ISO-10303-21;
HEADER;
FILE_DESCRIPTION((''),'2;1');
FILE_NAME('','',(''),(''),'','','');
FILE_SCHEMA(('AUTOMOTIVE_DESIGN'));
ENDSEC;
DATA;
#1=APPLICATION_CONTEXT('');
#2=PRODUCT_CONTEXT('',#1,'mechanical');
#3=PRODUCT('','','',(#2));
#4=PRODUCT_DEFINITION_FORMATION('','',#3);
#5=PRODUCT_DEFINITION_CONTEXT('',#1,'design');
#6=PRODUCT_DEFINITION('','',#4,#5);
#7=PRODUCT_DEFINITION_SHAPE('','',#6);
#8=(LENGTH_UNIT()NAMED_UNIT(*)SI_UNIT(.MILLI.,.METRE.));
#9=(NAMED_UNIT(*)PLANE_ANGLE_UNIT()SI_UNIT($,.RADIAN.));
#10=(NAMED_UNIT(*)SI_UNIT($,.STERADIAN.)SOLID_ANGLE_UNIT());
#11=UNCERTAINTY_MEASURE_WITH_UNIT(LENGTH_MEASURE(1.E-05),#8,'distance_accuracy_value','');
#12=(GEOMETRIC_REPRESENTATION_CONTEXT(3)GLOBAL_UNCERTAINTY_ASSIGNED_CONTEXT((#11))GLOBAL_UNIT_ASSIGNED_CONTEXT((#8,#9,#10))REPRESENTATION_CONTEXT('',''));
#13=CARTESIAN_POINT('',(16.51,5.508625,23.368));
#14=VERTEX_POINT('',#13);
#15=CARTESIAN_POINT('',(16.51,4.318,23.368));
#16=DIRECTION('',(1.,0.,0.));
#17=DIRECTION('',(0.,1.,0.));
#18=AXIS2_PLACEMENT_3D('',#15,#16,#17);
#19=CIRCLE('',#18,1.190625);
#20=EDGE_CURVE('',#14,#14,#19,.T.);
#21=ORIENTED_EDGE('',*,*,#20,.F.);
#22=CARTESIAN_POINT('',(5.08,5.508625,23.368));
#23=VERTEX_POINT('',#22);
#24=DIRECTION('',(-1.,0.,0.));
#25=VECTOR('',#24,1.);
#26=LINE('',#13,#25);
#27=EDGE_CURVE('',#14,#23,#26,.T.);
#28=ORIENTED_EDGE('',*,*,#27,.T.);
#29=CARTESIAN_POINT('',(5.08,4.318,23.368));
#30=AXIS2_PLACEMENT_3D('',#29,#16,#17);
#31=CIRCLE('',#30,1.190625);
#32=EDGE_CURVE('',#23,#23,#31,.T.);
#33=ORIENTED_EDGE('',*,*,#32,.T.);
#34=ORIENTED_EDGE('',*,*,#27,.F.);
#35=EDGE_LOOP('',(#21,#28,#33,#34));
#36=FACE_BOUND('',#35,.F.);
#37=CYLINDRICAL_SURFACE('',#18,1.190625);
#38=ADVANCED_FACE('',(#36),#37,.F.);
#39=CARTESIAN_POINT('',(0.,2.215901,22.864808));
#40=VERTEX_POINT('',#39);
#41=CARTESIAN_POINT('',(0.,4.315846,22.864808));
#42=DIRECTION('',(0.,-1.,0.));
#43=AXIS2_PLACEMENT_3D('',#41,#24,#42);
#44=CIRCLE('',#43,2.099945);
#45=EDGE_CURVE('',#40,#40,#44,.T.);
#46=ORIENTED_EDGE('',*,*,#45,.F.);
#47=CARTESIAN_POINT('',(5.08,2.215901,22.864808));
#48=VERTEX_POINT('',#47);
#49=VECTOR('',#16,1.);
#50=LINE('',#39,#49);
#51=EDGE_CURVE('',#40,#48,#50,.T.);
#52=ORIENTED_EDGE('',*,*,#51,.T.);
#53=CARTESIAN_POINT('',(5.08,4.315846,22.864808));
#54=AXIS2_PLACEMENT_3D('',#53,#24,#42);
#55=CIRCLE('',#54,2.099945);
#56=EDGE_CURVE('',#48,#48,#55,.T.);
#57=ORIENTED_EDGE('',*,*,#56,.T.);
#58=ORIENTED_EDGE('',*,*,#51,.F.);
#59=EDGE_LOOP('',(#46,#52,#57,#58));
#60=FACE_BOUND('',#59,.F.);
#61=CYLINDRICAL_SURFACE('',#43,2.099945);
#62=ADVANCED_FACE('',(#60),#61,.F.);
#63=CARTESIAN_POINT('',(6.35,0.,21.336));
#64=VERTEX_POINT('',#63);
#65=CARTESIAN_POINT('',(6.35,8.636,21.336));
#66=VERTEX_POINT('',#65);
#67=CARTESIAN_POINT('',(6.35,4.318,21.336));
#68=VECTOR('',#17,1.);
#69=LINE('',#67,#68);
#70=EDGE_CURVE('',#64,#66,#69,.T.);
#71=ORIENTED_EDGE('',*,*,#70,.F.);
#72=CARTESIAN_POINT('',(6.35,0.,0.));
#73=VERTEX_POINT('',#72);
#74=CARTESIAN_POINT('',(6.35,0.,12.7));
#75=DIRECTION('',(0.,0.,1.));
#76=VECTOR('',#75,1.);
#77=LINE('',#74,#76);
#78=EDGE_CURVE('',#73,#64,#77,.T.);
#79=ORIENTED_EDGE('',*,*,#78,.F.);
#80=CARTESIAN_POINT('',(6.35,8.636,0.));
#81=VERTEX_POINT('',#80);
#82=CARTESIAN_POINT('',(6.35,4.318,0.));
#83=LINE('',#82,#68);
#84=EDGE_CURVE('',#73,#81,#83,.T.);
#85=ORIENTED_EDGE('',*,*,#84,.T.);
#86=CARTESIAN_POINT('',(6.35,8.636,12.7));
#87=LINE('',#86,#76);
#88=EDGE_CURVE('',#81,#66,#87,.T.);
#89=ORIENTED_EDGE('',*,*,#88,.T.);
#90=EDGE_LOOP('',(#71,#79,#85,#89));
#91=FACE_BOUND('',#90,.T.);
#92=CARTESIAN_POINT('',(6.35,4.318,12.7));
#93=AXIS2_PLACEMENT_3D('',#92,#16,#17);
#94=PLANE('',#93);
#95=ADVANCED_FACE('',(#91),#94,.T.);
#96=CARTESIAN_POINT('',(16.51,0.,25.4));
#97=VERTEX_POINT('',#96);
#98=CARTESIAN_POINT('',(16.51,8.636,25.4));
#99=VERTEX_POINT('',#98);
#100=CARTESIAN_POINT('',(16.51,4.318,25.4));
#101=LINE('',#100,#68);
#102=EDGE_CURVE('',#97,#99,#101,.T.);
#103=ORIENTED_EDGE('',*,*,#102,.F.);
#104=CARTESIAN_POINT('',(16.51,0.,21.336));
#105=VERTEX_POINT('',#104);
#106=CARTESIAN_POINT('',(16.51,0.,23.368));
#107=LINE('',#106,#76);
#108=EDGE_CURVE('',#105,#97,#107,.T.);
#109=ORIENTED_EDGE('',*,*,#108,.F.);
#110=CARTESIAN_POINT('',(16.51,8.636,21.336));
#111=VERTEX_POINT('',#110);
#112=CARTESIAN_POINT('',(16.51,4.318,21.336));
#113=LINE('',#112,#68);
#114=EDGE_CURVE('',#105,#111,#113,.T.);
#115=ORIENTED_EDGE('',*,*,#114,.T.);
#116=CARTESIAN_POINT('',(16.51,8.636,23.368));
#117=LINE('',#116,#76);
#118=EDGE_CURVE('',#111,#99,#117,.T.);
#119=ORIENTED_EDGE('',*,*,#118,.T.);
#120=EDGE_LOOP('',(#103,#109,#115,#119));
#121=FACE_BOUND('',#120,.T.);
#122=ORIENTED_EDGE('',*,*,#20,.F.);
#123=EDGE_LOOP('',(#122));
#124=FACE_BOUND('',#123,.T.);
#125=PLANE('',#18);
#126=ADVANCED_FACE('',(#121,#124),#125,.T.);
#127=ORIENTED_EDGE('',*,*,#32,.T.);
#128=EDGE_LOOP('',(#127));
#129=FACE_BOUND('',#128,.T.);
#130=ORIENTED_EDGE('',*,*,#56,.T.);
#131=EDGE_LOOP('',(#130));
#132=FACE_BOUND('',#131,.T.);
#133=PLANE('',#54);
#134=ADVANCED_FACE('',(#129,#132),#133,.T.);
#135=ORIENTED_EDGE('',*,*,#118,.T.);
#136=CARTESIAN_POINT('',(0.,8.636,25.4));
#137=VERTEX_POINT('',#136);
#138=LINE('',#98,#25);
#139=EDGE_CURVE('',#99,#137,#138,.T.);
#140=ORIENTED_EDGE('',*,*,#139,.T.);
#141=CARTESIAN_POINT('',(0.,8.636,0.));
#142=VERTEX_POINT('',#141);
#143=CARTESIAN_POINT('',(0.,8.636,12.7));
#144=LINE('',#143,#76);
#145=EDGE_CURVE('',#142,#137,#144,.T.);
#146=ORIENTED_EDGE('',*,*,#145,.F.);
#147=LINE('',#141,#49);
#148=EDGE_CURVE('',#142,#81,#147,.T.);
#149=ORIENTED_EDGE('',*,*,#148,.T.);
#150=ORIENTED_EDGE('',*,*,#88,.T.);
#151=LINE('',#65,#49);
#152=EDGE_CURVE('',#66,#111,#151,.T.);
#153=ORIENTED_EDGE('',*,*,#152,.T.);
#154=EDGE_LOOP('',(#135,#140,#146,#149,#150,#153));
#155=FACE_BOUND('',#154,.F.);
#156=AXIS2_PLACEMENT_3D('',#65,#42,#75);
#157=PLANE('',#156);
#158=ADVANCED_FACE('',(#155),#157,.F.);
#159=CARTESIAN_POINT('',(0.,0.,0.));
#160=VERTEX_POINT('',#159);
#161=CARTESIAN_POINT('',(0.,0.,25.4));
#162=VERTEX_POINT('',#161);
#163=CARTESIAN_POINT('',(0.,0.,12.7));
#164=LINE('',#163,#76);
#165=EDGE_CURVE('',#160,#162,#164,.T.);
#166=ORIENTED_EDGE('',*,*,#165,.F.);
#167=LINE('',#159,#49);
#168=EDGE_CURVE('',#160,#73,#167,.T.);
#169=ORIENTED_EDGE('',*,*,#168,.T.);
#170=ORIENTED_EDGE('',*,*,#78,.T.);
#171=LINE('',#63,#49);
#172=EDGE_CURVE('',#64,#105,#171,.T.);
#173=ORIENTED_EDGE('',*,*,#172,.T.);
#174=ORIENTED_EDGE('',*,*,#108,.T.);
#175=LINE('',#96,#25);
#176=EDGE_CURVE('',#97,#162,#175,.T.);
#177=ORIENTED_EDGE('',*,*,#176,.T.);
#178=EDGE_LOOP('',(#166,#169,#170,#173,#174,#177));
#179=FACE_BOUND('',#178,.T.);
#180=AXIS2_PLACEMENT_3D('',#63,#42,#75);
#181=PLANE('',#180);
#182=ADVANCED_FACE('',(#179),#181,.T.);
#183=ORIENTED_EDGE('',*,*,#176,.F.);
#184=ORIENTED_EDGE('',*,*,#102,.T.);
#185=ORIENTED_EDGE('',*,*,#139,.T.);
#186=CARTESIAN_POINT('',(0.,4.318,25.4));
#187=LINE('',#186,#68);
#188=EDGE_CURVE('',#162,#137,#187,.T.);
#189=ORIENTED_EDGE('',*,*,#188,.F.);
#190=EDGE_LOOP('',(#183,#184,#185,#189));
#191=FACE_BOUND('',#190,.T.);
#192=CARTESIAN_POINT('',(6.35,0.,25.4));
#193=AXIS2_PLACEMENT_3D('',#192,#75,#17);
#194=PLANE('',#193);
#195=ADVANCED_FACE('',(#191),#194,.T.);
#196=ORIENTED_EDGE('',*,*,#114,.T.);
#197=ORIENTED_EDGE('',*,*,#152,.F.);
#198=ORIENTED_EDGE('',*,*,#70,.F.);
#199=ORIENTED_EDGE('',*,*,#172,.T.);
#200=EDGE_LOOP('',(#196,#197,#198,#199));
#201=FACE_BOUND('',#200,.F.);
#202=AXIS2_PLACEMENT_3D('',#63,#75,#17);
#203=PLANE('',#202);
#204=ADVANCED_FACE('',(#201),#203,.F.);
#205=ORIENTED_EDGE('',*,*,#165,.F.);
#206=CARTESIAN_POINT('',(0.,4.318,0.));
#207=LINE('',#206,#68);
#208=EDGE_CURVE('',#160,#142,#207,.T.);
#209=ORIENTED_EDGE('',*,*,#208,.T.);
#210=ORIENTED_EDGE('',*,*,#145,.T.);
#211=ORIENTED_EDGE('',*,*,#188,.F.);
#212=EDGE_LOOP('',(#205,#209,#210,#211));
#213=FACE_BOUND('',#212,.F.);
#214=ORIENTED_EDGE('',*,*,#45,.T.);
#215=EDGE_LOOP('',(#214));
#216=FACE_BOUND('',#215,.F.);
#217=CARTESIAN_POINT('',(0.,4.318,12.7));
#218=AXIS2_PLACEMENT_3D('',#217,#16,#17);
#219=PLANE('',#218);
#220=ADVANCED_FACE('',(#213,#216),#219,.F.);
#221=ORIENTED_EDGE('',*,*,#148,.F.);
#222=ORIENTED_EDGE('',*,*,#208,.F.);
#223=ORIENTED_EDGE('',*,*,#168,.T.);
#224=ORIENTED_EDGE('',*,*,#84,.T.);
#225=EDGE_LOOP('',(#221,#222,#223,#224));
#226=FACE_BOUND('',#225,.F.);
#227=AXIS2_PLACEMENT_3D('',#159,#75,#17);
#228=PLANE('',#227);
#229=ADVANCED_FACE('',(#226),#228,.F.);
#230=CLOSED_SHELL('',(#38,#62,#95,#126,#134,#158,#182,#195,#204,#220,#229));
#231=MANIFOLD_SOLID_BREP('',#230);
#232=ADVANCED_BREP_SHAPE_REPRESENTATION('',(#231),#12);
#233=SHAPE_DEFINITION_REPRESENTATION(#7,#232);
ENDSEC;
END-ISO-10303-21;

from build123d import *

# Parameters (mm, degrees)
F0_W     = 8.636
F0_H     = 25.4
F1_DEPTH = 6.35
F2_W     = 8.636
F2_H     = 4.064
F3_DEPTH = 10.16
F4_R     = 1.190625
F5_DEPTH = 16.511
F7_R     = 2.099945
F8_DEPTH = 5.08


with BuildPart() as f1:
    # F0 (on Right) → F1 (new body)
    with BuildSketch(Plane.YZ):
        with Locations((4.318, 12.7)):
            Rectangle(F0_W, F0_H)
    extrude(amount=F1_DEPTH)

    # F2 (on face) → F3 (join)
    with BuildSketch(Plane.YZ.offset(6.35)):
        with Locations((4.318, 23.368)):
            Rectangle(F2_W, F2_H)
    extrude(amount=F3_DEPTH)

    # F4 (on face) → F5 (cut, through all)
    with BuildSketch(Plane.YZ.offset(16.51)):
        with Locations((4.318, 23.368)):
            Circle(F4_R)
    extrude(amount=-F5_DEPTH, mode=Mode.SUBTRACT)

    # F7 (on face) → F8 (cut)
    with BuildSketch(Plane(origin=(0, 0, 0), x_dir=(0, -1, 0), z_dir=(-1, 0, 0))):
        with Locations((-4.315846, 22.864808)):
            Circle(F7_R)
    extrude(amount=-F8_DEPTH, mode=Mode.SUBTRACT)


solid = f1.part
